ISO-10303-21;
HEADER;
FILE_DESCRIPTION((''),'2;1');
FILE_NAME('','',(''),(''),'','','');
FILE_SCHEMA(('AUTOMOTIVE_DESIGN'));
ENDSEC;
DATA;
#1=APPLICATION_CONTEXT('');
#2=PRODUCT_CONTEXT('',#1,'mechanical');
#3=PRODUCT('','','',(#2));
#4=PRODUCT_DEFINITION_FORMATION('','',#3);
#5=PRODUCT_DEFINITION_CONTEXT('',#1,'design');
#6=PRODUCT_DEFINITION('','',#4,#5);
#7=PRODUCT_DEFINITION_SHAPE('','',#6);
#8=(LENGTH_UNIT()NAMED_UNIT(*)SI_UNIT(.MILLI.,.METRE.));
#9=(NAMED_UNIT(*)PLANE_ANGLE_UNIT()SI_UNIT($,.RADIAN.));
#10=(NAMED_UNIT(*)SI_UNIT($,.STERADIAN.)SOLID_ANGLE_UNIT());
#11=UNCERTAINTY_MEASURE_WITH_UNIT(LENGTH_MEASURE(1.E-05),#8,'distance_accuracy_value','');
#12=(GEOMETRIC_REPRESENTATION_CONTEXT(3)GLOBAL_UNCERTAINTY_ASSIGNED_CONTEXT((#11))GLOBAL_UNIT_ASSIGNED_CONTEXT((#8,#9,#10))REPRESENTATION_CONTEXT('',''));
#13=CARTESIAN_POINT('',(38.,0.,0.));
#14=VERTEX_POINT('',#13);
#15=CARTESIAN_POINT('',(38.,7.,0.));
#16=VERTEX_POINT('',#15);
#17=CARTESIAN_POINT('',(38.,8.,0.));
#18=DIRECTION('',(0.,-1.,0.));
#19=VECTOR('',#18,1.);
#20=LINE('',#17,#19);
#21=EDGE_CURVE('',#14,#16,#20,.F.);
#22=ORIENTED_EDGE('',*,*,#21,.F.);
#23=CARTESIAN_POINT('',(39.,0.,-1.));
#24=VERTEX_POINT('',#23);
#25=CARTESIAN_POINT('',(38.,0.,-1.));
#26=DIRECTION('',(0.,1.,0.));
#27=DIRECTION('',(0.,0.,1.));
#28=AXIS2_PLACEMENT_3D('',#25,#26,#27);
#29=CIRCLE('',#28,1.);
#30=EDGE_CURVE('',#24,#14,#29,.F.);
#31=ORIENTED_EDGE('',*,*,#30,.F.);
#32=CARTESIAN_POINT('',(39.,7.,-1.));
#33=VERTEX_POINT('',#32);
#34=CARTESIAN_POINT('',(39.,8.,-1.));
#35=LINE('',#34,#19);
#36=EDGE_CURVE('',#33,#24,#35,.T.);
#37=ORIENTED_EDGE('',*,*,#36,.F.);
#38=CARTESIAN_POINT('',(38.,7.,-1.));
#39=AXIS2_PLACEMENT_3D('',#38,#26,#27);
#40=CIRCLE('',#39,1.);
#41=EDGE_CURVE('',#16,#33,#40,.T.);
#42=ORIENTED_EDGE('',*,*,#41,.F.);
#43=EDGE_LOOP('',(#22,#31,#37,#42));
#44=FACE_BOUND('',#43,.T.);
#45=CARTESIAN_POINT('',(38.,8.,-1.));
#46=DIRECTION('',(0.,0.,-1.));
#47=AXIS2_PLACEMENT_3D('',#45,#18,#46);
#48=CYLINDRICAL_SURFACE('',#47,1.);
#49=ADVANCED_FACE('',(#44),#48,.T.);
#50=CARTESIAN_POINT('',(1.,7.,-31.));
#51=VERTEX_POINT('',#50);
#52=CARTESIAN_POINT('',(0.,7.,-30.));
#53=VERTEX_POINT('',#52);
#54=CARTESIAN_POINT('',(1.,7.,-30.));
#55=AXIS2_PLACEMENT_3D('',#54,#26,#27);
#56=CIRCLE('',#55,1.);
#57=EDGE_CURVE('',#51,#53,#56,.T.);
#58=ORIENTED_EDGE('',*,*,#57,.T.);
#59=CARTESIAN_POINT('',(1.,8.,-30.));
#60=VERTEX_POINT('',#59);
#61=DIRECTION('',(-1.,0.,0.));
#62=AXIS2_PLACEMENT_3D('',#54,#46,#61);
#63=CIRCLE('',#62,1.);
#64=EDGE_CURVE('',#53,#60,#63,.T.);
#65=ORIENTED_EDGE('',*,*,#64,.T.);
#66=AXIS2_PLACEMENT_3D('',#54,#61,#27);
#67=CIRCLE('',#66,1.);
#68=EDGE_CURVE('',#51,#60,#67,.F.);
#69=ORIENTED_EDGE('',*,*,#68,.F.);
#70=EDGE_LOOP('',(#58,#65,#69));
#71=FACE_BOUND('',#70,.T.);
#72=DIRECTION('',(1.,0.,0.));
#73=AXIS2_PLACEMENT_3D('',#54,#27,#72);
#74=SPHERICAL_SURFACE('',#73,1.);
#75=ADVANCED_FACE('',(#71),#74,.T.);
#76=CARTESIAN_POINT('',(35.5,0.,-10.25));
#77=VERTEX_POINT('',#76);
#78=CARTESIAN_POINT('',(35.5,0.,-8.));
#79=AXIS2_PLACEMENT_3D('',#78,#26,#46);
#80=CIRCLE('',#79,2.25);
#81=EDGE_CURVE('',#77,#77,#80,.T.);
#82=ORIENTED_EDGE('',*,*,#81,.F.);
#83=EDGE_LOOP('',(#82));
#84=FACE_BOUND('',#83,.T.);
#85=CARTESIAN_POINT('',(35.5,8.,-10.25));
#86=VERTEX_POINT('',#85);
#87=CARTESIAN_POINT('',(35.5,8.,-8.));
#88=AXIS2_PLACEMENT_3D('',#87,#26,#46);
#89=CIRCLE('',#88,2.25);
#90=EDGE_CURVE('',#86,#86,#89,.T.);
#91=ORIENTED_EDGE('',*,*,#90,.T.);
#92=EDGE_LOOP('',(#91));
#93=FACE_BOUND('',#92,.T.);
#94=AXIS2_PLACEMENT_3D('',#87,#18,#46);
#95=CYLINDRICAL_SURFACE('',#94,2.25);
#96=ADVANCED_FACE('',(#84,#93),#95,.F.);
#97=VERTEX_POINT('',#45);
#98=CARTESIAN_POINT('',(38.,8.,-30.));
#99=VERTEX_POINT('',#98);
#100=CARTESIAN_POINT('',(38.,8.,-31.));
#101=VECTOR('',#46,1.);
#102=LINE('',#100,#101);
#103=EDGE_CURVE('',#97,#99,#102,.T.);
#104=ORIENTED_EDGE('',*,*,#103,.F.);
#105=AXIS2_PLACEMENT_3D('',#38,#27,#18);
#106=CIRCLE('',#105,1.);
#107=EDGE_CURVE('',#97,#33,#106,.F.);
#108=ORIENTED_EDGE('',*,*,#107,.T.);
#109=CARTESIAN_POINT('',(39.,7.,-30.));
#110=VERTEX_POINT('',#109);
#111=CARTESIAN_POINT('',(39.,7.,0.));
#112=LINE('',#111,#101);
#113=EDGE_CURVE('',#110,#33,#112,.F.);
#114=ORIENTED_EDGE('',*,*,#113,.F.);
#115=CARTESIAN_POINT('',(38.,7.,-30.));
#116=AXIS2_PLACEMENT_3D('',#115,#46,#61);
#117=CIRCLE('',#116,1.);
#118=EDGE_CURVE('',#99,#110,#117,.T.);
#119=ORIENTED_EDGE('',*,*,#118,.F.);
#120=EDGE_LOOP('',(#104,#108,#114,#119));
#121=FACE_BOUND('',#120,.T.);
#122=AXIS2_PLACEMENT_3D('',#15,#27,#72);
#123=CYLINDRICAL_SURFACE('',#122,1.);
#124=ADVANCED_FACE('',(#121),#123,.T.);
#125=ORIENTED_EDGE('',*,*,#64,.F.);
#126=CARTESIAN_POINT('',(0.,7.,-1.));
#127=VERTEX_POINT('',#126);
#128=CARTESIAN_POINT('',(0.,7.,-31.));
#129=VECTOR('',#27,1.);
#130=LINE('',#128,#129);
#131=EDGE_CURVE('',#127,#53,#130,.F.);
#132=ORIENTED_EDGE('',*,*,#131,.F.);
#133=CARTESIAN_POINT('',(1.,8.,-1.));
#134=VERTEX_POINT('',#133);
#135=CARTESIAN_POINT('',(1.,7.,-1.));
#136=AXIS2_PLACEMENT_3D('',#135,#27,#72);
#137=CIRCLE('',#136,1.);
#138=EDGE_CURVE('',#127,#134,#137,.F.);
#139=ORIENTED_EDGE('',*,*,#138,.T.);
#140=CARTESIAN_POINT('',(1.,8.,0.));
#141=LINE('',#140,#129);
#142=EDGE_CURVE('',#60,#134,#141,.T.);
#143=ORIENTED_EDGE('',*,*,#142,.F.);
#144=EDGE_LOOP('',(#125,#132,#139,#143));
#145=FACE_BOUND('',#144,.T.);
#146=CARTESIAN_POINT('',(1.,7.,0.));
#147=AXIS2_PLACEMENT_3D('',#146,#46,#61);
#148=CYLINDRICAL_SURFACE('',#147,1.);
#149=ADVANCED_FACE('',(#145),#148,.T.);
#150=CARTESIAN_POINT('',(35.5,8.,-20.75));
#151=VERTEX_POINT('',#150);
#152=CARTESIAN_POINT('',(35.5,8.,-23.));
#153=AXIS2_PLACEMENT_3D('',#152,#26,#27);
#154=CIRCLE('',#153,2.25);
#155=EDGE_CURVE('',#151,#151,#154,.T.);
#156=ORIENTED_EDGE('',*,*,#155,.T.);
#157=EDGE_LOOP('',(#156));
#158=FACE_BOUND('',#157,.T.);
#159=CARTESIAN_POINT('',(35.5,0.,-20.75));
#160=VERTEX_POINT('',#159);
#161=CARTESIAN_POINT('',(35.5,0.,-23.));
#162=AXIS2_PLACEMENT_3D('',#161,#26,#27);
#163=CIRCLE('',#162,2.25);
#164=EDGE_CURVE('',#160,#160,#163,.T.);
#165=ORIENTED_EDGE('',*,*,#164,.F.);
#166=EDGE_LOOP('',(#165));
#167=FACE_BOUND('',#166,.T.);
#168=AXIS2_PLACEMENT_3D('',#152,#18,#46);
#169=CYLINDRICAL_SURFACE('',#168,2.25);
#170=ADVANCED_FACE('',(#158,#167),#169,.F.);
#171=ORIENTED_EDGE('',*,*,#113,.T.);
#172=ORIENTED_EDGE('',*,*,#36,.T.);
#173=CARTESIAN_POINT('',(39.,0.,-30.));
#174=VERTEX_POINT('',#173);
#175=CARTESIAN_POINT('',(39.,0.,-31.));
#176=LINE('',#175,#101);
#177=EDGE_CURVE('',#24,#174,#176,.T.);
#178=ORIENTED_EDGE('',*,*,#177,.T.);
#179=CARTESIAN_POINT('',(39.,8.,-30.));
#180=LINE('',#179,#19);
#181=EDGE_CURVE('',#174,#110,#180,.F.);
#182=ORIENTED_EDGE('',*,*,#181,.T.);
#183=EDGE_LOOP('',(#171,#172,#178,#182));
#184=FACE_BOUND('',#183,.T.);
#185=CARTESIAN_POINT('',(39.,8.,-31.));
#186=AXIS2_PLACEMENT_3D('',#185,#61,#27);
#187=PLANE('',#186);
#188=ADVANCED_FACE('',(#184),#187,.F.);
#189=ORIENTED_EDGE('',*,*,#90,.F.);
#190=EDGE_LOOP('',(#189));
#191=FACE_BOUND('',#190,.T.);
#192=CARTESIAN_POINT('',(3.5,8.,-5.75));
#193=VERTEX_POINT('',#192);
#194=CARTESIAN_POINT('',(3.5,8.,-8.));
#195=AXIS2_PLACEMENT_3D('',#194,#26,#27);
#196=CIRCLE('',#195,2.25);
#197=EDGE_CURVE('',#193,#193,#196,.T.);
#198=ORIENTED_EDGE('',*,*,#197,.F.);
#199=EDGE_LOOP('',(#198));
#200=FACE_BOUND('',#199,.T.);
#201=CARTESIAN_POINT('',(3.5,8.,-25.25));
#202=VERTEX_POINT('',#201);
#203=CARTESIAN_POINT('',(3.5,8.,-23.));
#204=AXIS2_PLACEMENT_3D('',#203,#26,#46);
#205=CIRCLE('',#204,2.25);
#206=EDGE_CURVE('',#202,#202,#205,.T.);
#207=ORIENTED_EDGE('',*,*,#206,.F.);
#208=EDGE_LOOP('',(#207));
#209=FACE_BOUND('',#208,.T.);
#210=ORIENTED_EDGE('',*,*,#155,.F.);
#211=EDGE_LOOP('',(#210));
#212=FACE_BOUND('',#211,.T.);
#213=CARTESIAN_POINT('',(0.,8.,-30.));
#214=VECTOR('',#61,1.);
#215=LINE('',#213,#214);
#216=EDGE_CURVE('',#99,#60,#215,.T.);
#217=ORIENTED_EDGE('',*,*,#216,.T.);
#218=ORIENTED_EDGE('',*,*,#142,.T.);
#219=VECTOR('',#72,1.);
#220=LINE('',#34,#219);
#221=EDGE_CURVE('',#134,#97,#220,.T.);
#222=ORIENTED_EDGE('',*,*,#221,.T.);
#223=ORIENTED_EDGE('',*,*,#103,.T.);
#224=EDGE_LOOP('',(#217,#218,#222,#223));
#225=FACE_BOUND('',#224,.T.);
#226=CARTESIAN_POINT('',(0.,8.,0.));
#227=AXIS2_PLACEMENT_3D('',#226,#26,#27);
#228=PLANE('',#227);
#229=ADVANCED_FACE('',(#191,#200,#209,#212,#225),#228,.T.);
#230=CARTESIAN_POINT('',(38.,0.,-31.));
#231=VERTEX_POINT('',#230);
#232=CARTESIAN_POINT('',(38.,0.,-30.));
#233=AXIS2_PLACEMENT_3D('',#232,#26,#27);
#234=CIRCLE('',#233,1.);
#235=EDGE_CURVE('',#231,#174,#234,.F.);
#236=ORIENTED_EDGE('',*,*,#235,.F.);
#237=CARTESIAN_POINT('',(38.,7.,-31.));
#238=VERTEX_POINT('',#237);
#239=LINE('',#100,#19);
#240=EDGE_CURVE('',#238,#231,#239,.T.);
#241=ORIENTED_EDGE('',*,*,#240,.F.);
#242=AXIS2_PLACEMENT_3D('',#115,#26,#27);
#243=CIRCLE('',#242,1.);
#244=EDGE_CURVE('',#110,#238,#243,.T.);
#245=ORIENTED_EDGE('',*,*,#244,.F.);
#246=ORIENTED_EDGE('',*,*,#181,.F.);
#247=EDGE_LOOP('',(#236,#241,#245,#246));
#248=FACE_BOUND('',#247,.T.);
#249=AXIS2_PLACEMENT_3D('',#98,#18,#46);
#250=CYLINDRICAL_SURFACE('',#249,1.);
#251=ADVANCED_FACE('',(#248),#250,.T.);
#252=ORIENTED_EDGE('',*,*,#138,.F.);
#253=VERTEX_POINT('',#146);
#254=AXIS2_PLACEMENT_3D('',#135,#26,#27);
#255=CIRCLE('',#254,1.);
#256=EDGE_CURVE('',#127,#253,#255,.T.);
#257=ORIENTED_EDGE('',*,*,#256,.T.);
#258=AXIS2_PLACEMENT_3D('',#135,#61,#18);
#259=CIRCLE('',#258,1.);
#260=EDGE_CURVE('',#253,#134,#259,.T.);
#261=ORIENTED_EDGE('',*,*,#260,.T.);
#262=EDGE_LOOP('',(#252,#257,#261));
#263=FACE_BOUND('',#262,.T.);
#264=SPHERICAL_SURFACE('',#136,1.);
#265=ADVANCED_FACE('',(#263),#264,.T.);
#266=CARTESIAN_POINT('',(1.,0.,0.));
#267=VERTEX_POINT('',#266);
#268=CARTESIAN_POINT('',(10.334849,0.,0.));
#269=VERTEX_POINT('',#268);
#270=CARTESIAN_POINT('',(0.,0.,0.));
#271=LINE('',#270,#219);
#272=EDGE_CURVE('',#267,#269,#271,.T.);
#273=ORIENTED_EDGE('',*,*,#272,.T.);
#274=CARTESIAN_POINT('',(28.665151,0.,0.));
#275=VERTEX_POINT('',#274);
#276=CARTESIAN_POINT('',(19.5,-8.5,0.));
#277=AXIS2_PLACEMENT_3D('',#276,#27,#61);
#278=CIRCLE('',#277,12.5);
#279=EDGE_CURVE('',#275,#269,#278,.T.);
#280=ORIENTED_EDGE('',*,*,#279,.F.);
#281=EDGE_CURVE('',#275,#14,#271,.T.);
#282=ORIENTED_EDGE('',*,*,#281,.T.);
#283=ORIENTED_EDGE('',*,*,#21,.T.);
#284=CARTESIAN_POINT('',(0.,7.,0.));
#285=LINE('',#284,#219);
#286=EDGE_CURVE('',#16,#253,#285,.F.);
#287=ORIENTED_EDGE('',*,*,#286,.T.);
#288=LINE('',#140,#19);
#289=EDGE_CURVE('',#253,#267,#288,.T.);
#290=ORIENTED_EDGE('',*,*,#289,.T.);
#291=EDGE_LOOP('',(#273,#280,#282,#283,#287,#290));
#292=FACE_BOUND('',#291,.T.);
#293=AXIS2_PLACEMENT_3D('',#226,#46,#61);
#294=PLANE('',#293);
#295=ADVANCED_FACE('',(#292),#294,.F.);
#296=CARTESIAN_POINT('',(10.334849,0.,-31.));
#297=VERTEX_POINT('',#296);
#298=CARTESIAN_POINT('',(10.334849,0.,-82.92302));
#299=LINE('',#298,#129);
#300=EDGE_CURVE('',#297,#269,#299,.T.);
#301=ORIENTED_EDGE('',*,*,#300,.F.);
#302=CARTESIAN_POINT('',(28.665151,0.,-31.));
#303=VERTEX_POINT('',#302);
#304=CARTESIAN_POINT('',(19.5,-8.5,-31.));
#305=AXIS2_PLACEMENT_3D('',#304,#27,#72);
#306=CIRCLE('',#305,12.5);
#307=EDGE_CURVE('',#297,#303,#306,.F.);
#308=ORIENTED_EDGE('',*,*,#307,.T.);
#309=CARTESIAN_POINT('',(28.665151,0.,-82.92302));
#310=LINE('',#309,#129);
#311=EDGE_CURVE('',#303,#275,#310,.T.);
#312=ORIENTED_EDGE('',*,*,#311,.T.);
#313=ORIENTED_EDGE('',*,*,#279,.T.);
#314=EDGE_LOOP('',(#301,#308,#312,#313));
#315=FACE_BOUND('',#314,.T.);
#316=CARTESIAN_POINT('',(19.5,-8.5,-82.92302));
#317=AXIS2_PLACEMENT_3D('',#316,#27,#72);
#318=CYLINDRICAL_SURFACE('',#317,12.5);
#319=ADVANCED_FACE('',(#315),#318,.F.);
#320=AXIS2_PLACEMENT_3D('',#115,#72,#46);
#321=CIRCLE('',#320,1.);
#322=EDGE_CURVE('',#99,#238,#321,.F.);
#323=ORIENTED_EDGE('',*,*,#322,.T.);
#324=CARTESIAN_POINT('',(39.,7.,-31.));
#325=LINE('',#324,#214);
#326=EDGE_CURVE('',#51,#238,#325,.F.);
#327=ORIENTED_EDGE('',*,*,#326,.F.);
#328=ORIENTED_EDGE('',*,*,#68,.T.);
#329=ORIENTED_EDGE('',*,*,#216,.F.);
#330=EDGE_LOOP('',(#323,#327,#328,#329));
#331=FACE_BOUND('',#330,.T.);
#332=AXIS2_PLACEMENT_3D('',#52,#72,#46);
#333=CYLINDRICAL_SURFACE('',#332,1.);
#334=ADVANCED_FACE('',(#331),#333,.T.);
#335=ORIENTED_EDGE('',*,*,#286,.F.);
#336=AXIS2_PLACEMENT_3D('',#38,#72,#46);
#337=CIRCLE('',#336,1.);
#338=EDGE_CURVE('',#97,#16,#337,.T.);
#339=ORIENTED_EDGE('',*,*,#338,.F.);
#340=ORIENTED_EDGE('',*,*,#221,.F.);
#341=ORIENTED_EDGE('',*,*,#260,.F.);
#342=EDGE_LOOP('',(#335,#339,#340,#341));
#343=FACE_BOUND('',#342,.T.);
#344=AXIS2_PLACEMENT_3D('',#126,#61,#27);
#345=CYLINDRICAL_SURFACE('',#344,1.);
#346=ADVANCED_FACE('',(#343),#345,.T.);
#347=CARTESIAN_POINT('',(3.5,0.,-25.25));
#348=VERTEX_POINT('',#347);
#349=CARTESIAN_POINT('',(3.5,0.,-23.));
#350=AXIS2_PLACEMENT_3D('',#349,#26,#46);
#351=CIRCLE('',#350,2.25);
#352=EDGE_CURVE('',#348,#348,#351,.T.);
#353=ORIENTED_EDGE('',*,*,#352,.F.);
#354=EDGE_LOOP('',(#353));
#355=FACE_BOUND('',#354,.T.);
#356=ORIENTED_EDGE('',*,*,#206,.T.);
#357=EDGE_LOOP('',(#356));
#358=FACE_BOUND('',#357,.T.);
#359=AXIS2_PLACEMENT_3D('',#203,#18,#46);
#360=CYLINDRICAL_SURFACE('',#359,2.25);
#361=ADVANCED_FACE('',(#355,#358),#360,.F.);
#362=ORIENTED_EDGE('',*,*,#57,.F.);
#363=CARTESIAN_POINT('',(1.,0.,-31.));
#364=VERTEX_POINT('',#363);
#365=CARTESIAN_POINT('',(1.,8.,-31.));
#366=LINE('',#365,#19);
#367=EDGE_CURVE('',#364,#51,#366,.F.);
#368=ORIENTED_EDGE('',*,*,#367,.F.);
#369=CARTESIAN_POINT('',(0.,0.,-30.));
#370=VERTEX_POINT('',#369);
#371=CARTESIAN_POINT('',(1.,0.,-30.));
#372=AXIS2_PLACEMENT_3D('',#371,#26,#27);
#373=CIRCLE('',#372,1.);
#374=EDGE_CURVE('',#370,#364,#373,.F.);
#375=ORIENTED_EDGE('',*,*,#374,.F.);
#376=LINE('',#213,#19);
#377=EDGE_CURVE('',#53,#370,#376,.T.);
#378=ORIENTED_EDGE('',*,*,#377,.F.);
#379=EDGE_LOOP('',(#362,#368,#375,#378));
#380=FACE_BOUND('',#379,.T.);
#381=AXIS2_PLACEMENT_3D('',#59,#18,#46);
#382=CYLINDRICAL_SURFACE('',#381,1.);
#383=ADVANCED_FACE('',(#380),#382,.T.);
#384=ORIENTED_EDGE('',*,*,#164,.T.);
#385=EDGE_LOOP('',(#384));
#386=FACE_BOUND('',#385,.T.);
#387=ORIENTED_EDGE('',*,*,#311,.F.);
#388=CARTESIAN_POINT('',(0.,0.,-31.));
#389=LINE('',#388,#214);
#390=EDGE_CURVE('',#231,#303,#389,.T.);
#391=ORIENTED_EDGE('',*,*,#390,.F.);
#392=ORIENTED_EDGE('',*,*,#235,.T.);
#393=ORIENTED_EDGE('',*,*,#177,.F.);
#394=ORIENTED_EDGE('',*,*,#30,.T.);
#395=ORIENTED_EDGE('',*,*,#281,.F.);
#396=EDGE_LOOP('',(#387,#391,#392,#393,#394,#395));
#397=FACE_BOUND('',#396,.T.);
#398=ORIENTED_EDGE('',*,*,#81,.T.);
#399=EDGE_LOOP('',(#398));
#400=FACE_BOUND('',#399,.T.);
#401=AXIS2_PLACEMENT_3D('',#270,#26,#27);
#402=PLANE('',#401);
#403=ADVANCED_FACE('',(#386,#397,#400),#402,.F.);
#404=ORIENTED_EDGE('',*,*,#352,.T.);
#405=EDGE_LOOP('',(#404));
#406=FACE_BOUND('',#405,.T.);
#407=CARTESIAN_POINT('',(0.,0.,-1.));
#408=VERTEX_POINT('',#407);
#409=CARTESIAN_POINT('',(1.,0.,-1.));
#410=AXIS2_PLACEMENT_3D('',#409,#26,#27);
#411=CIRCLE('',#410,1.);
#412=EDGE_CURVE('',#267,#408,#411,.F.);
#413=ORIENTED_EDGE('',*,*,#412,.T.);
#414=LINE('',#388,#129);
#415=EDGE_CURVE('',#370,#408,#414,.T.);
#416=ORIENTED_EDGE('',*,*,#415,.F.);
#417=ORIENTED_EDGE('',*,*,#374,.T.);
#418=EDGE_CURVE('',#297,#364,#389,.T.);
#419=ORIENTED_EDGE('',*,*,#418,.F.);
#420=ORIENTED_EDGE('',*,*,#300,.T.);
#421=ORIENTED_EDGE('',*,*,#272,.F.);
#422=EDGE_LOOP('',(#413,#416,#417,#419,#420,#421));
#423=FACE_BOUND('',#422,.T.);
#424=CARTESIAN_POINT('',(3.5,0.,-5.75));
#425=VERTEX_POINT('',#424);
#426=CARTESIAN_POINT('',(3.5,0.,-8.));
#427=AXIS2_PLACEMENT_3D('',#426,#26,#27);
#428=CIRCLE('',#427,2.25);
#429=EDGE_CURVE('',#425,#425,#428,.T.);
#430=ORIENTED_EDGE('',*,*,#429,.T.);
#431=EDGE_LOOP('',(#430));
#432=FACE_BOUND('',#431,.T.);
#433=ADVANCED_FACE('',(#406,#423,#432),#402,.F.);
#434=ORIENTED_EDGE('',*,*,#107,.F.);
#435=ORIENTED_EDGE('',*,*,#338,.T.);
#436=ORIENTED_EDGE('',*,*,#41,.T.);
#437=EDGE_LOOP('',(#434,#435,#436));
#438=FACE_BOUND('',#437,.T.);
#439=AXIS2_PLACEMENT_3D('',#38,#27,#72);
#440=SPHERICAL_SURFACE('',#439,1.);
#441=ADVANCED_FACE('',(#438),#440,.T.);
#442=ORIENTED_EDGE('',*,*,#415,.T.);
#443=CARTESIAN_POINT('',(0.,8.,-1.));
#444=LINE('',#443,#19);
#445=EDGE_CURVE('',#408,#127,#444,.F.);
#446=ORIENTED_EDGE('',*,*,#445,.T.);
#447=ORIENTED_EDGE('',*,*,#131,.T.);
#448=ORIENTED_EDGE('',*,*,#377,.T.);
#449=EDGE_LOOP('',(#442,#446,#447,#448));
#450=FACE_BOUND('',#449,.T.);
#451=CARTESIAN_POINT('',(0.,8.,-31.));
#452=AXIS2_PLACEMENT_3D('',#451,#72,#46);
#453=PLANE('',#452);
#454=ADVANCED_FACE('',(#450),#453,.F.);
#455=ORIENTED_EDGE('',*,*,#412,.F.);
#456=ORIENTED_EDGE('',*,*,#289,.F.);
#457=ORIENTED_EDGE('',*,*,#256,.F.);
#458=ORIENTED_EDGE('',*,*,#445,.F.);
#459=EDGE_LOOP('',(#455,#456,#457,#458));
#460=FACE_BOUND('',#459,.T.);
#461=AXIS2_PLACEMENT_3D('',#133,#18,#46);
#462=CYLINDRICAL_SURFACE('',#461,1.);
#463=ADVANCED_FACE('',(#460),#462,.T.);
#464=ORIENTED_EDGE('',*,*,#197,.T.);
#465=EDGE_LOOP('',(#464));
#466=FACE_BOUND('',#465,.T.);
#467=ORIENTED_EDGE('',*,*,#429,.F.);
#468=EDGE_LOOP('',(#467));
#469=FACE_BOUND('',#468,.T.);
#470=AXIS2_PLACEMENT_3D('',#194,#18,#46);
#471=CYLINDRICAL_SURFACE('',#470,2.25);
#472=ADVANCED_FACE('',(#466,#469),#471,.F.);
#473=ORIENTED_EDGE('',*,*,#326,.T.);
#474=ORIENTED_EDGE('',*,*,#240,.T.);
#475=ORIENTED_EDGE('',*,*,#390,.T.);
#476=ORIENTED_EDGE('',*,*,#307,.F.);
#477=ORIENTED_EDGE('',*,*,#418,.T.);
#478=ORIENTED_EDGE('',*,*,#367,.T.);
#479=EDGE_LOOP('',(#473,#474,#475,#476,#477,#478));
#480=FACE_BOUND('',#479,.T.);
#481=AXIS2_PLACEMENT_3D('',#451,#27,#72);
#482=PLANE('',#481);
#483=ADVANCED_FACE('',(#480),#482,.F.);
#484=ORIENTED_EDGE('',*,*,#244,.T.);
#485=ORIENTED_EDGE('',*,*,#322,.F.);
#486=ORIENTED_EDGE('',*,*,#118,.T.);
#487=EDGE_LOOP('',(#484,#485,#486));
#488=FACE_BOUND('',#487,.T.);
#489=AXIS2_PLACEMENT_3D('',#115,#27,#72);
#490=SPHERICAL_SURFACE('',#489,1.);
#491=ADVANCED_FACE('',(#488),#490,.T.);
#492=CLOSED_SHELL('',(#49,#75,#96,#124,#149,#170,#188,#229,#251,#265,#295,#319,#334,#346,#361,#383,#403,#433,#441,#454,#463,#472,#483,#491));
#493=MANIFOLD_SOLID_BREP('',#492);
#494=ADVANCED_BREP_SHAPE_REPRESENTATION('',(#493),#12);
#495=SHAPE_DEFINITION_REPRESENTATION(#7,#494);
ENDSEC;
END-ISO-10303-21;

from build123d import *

# Parameters (mm, degrees)
SKETCH1_W           = 39
SKETCH1_H           = 31
SKETCH1_R           = 2.25
BOSS_EXTRUDE1_DEPTH = 8
FILLET2_R           = 1
CUT_EXTRUDE1_DEPTH  = 31


with BuildPart() as part:
    # Sketch1 → Boss-Extrude1 (new body)
    with BuildSketch(Plane(origin=(0, 0, 0), x_dir=(1, 0, 0), z_dir=(0, 1, 0))):
        with Locations((19.5, 15.5)):
            Rectangle(SKETCH1_W, SKETCH1_H)
        with Locations(Location((35.5, 23, 0), (0, 0, 270))):
            Circle(SKETCH1_R, mode=Mode.SUBTRACT)
        with Locations(Location((35.5, 8, 0), (0, 0, 90))):
            Circle(SKETCH1_R, mode=Mode.SUBTRACT)
        with Locations(Location((3.5, 23, 0), (0, 0, 90))):
            Circle(SKETCH1_R, mode=Mode.SUBTRACT)
        with Locations(Location((3.5, 8, 0), (0, 0, 270))):
            Circle(SKETCH1_R, mode=Mode.SUBTRACT)
    extrude(amount=BOSS_EXTRUDE1_DEPTH)

    # Fillet2
    fillet2_edges = [part.edges().sort_by_distance(p)[0] for p in [
        (39, 8, -15.5),
        (19.5, 8, -31),
        (0, 8, -15.5),
        (19.5, 8, 0),
        (0, 4, -31),
        (39, 4, -31),
        (39, 4, 0),
        (0, 4, 0),
    ]]
    fillet(fillet2_edges, radius=FILLET2_R)

    # Sketch2 → Cut-Extrude1 (cut)
    with BuildSketch(Plane.XY):
        with BuildLine():
            Line((10.33484861, 0), (-5.5, 0))
            Line((-5.5, 0), (-5.5, -10))
            Line((-5.5, -10), (44.5, -10))
            Line((44.5, -10), (44.5, 0))
            Line((44.5, 0), (28.66515139, 0))
            ThreePointArc((28.66515139, 0), (19.5, 4), (10.33484861, 0))
        make_face()
    extrude(amount=-CUT_EXTRUDE1_DEPTH, mode=Mode.SUBTRACT)


solid = part.part
